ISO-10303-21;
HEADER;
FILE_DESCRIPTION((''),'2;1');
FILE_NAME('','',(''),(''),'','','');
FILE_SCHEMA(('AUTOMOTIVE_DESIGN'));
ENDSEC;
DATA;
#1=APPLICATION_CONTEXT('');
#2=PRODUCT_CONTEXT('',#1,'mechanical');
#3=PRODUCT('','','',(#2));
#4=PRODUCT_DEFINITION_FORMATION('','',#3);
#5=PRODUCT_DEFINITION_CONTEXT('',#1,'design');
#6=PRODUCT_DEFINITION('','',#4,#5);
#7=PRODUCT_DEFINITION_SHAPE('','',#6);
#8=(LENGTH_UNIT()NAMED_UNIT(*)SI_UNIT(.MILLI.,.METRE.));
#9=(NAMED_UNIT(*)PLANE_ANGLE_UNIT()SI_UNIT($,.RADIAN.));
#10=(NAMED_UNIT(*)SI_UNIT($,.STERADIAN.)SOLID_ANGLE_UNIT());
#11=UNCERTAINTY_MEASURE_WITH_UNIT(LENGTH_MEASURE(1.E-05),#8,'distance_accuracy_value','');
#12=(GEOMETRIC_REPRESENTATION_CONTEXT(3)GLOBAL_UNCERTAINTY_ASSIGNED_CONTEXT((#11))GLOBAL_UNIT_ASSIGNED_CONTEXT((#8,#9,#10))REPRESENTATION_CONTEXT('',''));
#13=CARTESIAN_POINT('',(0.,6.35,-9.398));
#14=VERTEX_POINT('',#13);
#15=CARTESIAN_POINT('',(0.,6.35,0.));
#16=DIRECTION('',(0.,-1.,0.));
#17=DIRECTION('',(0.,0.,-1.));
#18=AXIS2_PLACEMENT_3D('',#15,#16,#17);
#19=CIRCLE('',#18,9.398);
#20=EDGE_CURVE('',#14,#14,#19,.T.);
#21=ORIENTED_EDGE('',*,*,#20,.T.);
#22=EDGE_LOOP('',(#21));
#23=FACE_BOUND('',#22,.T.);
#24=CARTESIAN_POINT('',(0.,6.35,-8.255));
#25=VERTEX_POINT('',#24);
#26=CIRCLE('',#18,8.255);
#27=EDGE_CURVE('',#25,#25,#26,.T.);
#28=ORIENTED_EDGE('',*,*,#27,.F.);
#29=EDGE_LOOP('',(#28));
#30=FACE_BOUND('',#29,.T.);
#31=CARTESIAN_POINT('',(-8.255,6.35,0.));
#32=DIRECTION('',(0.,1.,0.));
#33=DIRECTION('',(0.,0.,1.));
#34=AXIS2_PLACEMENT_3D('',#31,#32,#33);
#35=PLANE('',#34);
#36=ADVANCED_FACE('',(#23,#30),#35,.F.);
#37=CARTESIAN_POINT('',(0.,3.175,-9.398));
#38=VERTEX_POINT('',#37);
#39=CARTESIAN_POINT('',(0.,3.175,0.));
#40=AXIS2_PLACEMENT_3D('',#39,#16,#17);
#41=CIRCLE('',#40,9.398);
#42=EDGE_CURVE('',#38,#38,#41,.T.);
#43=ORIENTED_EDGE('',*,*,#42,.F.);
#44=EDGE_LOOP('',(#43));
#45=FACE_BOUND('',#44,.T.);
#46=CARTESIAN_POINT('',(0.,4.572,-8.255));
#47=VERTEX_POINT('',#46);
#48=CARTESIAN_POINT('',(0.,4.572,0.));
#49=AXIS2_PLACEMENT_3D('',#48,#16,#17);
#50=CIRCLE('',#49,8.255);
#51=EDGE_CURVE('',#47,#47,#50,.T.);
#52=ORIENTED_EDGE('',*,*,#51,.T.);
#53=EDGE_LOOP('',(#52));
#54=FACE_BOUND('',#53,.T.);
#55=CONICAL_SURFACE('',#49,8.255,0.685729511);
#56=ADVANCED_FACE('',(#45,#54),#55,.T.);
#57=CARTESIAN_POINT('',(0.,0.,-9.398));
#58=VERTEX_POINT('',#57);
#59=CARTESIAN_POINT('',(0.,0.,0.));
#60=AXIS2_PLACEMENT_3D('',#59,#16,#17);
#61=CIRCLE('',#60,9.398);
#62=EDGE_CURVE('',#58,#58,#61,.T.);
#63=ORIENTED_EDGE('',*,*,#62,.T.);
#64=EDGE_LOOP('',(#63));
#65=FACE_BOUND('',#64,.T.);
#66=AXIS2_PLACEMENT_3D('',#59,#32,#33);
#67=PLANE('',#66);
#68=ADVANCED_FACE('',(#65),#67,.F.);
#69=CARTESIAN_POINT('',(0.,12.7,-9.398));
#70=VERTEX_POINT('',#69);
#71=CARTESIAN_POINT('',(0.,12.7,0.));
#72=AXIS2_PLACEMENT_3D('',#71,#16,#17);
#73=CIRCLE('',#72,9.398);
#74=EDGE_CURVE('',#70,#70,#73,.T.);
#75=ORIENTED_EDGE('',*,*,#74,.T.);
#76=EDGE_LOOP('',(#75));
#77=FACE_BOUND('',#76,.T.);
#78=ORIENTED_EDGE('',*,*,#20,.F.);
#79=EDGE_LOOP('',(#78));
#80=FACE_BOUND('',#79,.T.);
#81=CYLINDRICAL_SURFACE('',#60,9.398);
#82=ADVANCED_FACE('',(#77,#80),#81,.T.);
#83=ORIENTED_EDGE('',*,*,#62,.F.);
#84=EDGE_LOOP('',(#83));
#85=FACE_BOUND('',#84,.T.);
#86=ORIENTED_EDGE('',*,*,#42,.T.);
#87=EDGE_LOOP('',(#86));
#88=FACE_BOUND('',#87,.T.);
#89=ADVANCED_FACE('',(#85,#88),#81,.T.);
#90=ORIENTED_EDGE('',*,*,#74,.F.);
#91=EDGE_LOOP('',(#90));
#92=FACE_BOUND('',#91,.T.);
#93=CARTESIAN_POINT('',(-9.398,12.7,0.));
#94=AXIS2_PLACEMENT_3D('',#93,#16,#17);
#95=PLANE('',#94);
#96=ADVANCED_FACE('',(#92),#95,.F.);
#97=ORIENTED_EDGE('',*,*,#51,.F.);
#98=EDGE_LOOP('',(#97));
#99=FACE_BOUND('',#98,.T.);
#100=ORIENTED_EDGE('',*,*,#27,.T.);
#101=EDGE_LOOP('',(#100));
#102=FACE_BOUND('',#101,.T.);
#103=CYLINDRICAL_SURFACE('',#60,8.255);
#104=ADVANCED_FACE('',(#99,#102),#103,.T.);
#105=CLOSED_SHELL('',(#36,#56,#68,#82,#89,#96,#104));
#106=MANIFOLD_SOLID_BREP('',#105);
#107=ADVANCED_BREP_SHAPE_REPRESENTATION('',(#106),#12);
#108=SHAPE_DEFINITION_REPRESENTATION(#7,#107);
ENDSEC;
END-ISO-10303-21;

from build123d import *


with BuildPart() as part:
    # Sketch1 → Revolve1 (revolve)
    with BuildSketch(Plane.XY):
        Polygon((0, 0), (-9.398, 0), (-9.398, 3.175), (-8.255, 4.572), (-8.255, 6.35), (-9.398, 6.35), (-9.398, 12.7), (0, 12.7), align=None)
    revolve(axis=Axis((0, 0, 0), (0, 1, 0)))


solid = part.part
